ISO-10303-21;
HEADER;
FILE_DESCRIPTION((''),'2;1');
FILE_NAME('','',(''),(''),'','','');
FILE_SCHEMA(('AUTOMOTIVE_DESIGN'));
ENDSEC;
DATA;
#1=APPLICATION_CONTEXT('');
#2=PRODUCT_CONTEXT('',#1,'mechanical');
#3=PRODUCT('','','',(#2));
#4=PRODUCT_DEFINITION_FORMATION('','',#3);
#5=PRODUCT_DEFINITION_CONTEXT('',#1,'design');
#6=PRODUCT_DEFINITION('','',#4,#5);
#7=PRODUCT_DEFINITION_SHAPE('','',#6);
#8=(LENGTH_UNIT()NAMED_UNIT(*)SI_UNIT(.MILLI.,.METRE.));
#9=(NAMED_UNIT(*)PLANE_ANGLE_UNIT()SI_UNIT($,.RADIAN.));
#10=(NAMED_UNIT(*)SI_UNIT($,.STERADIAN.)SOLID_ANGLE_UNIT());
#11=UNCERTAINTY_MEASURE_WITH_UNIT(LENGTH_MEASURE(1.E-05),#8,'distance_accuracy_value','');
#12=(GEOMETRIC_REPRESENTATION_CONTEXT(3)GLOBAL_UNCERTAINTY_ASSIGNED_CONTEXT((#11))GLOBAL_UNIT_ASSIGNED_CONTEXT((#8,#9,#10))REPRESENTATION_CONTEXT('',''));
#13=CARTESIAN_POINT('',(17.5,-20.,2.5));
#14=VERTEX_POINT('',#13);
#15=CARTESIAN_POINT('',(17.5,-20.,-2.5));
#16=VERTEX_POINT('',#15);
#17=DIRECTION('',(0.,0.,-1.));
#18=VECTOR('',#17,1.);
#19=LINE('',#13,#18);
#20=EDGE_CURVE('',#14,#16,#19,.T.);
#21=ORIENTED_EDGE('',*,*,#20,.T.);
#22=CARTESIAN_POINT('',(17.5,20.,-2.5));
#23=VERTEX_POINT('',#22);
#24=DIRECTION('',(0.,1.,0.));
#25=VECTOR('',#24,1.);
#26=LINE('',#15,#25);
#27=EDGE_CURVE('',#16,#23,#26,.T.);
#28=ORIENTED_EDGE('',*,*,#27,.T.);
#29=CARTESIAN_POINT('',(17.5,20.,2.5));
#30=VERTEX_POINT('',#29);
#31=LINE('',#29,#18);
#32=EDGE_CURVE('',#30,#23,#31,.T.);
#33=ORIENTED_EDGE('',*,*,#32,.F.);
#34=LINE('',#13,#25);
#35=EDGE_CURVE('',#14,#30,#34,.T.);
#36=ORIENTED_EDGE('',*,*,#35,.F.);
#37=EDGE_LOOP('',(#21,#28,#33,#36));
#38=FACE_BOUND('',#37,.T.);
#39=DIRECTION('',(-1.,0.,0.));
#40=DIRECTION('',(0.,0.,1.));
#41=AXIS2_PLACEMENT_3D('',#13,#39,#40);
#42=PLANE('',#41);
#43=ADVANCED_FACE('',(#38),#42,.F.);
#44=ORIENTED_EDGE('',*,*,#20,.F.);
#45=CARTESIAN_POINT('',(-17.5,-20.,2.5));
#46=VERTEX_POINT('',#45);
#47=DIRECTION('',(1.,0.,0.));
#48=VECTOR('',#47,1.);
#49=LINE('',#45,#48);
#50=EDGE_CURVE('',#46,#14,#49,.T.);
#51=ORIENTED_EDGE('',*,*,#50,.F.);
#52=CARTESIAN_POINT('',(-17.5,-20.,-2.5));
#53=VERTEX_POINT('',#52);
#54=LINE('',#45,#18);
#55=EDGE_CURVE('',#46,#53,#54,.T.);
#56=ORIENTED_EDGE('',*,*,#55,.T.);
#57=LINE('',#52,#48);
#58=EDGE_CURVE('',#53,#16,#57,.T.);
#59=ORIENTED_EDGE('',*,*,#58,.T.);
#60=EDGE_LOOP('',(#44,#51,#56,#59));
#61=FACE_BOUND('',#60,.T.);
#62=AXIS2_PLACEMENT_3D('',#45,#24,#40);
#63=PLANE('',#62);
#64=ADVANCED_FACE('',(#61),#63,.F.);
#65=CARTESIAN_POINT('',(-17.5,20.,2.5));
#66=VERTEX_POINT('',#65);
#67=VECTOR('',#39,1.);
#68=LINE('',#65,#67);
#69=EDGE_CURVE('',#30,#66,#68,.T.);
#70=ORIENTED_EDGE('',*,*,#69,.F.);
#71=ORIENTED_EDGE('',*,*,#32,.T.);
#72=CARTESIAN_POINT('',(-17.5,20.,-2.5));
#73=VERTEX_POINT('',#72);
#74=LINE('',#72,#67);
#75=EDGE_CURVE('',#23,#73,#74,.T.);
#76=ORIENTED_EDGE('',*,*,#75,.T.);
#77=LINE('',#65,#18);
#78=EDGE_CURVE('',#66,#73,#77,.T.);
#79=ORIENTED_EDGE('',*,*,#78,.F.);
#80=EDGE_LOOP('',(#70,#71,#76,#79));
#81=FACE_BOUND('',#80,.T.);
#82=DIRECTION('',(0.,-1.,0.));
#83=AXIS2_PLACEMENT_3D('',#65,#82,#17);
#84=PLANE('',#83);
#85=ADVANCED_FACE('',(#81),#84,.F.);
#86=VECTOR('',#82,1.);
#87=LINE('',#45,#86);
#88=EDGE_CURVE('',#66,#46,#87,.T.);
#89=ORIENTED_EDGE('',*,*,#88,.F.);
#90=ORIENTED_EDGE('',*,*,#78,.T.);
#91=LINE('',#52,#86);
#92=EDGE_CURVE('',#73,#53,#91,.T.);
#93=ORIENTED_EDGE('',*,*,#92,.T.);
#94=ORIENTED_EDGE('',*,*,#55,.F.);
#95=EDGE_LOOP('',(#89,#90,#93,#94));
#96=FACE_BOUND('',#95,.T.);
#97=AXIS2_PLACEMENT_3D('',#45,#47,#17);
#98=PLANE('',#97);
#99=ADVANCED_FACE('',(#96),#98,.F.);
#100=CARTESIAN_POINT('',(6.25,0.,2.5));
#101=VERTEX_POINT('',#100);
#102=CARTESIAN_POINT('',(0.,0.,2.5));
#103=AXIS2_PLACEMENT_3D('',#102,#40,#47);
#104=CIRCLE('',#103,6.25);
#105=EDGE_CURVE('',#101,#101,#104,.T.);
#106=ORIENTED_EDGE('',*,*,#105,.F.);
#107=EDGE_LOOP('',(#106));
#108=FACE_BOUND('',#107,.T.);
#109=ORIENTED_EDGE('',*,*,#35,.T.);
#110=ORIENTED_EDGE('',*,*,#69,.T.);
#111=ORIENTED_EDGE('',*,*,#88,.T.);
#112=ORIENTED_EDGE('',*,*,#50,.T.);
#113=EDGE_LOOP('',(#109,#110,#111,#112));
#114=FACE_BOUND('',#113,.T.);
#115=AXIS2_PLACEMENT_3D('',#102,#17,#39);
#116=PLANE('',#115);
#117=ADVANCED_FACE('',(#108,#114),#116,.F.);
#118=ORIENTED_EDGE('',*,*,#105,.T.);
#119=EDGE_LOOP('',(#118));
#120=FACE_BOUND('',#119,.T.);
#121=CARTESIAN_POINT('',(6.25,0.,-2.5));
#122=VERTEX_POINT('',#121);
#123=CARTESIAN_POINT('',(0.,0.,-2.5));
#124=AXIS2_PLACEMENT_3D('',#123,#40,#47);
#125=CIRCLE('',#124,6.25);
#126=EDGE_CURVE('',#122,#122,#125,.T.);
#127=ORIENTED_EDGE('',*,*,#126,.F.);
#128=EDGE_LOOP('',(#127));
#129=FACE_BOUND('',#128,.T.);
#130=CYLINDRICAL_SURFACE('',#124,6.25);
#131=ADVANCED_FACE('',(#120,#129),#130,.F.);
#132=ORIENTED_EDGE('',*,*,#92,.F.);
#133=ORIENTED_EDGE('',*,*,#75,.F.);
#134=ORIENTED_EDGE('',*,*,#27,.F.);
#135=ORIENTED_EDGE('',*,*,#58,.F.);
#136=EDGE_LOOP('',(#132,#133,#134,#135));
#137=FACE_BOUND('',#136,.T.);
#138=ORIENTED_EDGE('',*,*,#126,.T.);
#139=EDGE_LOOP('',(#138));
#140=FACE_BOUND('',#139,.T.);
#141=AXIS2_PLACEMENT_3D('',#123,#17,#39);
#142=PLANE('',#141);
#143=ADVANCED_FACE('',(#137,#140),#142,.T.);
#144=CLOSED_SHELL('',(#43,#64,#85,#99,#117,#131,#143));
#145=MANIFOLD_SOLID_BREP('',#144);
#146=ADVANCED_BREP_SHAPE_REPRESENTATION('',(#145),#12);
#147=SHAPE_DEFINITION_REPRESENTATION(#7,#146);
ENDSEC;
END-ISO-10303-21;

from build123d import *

# Parameters (mm, degrees)
SKETCH1_W           = 35
SKETCH1_H           = 40
BOSS_EXTRUDE1_DEPTH = 2.5
SKETCH2_R           = 6.25
CUT_EXTRUDE1_DEPTH  = 6


with BuildPart() as part:
    # Sketch1 → Boss-Extrude1 (new body, symmetric)
    with BuildSketch(Plane.XY):
        Rectangle(SKETCH1_W, SKETCH1_H)
    extrude(amount=BOSS_EXTRUDE1_DEPTH, both=True)

    # Sketch2 → Cut-Extrude1 (cut, through all)
    with BuildSketch(Plane.XY.offset(2.5)):
        Circle(SKETCH2_R)
    extrude(amount=-CUT_EXTRUDE1_DEPTH, mode=Mode.SUBTRACT)


solid = part.part
